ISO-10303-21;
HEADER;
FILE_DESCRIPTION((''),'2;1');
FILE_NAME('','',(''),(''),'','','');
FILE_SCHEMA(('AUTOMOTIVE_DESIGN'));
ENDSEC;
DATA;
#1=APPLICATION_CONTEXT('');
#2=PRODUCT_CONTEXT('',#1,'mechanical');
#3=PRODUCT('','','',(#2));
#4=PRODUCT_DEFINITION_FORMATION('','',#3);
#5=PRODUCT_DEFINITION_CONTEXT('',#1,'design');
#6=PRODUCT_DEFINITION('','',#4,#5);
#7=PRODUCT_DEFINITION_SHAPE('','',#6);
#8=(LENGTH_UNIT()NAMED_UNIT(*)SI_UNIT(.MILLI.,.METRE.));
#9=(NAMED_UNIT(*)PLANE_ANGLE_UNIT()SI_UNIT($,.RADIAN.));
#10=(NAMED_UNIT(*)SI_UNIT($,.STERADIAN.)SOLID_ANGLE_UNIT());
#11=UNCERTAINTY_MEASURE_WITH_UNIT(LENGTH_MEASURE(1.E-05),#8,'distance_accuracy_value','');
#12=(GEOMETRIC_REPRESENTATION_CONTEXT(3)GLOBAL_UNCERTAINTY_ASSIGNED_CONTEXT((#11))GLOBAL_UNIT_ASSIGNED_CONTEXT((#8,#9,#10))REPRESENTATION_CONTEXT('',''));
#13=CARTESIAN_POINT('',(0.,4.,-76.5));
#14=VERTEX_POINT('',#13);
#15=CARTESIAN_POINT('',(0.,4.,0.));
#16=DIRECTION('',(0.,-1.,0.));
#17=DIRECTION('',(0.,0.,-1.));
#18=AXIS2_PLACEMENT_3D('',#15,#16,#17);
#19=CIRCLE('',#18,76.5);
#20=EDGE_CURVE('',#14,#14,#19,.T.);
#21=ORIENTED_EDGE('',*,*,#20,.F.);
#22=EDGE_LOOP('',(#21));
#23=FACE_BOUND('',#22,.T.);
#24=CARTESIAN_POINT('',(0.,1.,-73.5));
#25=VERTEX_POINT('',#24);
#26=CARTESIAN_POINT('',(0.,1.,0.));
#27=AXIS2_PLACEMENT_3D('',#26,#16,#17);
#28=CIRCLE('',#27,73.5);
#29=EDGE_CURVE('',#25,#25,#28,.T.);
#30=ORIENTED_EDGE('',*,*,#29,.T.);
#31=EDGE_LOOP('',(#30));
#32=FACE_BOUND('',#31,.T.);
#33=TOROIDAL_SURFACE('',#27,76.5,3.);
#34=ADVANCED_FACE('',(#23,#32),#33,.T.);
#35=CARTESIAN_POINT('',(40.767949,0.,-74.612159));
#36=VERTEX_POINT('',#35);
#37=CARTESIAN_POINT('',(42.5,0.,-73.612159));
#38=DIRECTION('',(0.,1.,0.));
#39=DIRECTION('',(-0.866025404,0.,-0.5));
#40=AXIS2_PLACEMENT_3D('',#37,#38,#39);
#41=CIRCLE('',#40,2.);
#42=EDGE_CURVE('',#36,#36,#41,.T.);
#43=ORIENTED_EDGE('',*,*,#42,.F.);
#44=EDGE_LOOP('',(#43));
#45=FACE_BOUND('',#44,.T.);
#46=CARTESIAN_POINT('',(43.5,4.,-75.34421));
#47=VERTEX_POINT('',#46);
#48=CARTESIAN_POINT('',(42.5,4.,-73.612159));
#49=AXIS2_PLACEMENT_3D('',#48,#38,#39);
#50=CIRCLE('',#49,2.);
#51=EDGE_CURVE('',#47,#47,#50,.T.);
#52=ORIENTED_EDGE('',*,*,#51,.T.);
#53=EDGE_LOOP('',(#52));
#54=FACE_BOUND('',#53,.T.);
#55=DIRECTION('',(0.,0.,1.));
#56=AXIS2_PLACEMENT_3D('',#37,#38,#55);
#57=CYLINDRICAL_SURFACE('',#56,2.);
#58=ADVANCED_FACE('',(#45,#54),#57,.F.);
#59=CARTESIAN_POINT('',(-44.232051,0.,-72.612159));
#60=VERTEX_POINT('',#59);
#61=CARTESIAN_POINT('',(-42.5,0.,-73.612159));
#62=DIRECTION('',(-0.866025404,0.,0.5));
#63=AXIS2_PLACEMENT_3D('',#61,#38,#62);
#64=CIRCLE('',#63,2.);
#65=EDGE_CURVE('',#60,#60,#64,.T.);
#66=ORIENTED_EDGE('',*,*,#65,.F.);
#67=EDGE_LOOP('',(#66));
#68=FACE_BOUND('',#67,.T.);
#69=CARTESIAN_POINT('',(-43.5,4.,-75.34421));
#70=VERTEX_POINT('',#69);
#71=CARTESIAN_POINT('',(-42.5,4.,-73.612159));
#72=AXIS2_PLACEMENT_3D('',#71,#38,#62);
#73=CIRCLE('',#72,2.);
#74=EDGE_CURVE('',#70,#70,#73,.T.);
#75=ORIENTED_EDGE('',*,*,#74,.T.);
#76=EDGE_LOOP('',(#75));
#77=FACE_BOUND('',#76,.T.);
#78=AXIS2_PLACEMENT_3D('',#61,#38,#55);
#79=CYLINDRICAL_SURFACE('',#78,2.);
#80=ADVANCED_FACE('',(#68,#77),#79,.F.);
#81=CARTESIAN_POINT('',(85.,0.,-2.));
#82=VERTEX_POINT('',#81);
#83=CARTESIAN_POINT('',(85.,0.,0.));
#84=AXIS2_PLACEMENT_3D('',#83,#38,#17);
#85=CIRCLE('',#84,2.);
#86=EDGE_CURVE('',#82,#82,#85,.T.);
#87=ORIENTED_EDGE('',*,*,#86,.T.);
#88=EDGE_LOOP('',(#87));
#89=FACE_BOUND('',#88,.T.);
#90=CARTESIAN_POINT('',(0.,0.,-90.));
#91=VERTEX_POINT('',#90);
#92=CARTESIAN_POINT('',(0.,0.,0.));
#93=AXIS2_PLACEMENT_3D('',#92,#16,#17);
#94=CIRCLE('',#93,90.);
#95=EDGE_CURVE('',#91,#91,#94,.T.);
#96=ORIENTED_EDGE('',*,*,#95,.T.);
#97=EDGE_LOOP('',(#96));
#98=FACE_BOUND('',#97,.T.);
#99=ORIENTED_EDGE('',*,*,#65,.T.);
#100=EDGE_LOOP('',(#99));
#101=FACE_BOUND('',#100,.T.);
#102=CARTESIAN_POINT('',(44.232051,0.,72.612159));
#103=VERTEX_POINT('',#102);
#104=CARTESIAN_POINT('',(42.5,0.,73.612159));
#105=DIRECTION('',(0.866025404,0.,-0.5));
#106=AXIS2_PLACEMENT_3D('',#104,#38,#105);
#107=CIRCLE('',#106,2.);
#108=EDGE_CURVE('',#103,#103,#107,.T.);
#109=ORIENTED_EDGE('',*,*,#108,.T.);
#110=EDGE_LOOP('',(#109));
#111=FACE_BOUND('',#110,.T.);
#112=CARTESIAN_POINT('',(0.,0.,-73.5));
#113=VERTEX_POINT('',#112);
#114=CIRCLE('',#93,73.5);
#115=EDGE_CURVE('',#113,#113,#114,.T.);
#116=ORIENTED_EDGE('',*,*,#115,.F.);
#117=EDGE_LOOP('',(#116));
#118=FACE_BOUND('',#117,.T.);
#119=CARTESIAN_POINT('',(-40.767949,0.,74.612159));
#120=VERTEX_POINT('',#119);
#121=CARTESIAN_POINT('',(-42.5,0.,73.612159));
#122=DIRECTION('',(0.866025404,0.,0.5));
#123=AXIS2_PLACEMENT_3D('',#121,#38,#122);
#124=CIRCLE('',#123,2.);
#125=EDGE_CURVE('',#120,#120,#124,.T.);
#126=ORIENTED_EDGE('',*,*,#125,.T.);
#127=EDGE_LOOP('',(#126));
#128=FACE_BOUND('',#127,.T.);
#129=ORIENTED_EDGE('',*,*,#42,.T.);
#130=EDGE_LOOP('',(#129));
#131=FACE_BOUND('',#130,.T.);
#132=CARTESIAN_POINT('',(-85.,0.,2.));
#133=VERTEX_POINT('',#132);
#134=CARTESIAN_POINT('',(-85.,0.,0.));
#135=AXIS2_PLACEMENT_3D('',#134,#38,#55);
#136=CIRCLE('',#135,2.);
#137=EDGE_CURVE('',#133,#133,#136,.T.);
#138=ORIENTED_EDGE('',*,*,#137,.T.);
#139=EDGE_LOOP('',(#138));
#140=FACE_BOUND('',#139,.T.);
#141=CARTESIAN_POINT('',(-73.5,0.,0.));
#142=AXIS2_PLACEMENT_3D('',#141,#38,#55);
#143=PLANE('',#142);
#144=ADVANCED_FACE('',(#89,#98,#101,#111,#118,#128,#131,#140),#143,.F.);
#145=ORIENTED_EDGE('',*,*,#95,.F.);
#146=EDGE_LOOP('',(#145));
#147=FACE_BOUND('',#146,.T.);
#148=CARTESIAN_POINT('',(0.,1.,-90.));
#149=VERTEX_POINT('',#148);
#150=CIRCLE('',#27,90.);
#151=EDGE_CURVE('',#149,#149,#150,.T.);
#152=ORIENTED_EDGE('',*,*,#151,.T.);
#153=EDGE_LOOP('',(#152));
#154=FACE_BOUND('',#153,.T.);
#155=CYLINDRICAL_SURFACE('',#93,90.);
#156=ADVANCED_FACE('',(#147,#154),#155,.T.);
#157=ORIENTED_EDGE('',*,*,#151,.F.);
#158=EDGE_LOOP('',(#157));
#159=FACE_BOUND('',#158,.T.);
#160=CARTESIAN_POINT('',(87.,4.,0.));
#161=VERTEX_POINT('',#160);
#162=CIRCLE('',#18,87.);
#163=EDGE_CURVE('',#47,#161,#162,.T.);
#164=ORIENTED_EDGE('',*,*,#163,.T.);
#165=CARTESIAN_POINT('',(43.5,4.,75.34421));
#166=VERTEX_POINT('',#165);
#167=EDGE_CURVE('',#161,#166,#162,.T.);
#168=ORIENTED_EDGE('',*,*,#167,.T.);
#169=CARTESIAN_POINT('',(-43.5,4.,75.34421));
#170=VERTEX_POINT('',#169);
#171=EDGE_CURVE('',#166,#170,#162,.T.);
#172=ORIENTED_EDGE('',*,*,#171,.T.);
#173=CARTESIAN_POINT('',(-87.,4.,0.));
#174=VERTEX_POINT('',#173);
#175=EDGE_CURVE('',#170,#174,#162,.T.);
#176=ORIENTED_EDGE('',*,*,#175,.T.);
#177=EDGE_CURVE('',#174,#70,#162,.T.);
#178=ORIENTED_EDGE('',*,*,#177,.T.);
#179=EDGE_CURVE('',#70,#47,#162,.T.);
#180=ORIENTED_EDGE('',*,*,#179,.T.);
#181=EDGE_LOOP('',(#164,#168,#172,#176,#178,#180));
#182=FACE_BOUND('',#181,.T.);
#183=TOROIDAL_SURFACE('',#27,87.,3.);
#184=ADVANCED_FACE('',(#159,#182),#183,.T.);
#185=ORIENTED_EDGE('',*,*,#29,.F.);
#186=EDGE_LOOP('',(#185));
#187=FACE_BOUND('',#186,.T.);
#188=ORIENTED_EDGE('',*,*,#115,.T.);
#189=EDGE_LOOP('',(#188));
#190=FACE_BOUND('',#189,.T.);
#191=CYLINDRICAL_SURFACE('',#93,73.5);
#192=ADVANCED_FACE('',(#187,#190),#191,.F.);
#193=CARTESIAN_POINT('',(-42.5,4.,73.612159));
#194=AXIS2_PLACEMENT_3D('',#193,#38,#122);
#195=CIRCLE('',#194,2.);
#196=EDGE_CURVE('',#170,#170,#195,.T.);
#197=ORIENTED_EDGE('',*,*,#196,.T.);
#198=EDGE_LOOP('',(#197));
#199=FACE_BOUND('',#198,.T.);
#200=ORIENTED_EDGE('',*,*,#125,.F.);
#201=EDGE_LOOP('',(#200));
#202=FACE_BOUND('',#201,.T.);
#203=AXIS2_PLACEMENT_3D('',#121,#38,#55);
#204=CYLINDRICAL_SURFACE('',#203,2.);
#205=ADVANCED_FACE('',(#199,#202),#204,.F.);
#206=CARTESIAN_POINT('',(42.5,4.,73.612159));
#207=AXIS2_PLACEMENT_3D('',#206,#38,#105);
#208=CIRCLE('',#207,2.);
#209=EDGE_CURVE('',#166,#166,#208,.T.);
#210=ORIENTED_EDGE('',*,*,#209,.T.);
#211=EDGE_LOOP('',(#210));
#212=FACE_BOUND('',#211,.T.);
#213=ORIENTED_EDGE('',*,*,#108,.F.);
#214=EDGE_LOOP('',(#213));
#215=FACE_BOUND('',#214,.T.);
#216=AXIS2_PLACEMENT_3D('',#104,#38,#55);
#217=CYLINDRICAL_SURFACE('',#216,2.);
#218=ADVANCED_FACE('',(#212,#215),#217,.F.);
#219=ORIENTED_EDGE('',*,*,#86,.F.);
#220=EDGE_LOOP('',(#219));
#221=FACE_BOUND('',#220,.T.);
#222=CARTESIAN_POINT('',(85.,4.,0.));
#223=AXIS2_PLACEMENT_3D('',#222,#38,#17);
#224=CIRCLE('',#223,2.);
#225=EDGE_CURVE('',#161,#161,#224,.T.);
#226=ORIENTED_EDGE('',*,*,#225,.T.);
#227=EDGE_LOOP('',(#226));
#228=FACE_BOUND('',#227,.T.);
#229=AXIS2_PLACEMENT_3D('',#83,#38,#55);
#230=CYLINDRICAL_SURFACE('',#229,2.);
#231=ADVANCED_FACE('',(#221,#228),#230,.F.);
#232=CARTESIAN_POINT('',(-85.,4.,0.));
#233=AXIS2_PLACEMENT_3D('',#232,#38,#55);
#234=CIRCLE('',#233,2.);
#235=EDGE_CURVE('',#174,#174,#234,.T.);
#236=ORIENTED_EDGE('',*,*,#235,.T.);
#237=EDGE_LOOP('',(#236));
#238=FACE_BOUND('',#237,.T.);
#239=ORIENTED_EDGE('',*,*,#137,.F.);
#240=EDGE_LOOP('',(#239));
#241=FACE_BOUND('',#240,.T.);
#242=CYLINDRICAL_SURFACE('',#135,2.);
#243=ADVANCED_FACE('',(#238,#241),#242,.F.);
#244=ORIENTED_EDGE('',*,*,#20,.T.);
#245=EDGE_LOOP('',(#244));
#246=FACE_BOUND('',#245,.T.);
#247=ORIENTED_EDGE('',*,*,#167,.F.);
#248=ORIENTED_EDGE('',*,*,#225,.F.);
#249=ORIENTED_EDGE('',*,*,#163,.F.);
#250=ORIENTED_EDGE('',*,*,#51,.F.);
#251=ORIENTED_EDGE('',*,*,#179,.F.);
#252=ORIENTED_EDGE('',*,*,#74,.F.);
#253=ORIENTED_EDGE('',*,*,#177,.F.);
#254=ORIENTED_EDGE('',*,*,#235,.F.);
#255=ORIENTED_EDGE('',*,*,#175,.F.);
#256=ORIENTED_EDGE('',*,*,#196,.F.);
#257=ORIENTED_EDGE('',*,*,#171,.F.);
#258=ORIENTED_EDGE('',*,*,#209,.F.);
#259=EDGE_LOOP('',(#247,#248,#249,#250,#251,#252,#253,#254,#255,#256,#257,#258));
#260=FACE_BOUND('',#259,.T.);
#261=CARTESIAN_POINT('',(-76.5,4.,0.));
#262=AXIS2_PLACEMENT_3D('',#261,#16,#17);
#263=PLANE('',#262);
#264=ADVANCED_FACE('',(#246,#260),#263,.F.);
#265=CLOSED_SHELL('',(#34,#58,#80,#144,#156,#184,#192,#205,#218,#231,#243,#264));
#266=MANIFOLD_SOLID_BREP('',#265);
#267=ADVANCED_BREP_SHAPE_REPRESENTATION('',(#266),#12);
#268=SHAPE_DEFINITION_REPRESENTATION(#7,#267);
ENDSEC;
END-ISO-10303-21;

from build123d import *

# Parameters (mm, degrees)
SKETCH2_R          = 2
CUT_EXTRUDE1_DEPTH = 5
CIRPATTERN1_COUNT  = 6


with BuildPart() as part:
    # Sketch1 → Revolve1 (revolve)
    with BuildSketch(Plane.XY):
        with BuildLine():
            Line((-73.5, 0), (-90, 0))
            Line((-90, 0), (-90, 1))
            ThreePointArc((-90, 1), (-89.121320344, 3.121320344), (-87, 4))
            Line((-87, 4), (-76.5, 4))
            ThreePointArc((-76.5, 4), (-74.378679656, 3.121320344), (-73.5, 1))
            Line((-73.5, 1), (-73.5, 0))
        make_face()
    revolve(axis=Axis((0, 0, 0), (0, 1, 0)))

    # Sketch2 → Cut-Extrude1 (cut, through all)
    with BuildSketch(Plane(origin=(0, 4, 0), x_dir=(1, 0, 0), z_dir=(0, 1, 0))):
        with Locations((-85, 0)):
            Circle(SKETCH2_R)
    cut_extrude1 = extrude(amount=-CUT_EXTRUDE1_DEPTH, mode=Mode.SUBTRACT)

    # CirPattern1: Cut-Extrude1 ×6 about axis
    cirpattern1_axis = Axis((0, 0, 0), (0, 1, 0))
    for i in range(1, CIRPATTERN1_COUNT):
        add(cut_extrude1.rotate(cirpattern1_axis, i * 360 / CIRPATTERN1_COUNT), mode=Mode.SUBTRACT)


solid = part.part
